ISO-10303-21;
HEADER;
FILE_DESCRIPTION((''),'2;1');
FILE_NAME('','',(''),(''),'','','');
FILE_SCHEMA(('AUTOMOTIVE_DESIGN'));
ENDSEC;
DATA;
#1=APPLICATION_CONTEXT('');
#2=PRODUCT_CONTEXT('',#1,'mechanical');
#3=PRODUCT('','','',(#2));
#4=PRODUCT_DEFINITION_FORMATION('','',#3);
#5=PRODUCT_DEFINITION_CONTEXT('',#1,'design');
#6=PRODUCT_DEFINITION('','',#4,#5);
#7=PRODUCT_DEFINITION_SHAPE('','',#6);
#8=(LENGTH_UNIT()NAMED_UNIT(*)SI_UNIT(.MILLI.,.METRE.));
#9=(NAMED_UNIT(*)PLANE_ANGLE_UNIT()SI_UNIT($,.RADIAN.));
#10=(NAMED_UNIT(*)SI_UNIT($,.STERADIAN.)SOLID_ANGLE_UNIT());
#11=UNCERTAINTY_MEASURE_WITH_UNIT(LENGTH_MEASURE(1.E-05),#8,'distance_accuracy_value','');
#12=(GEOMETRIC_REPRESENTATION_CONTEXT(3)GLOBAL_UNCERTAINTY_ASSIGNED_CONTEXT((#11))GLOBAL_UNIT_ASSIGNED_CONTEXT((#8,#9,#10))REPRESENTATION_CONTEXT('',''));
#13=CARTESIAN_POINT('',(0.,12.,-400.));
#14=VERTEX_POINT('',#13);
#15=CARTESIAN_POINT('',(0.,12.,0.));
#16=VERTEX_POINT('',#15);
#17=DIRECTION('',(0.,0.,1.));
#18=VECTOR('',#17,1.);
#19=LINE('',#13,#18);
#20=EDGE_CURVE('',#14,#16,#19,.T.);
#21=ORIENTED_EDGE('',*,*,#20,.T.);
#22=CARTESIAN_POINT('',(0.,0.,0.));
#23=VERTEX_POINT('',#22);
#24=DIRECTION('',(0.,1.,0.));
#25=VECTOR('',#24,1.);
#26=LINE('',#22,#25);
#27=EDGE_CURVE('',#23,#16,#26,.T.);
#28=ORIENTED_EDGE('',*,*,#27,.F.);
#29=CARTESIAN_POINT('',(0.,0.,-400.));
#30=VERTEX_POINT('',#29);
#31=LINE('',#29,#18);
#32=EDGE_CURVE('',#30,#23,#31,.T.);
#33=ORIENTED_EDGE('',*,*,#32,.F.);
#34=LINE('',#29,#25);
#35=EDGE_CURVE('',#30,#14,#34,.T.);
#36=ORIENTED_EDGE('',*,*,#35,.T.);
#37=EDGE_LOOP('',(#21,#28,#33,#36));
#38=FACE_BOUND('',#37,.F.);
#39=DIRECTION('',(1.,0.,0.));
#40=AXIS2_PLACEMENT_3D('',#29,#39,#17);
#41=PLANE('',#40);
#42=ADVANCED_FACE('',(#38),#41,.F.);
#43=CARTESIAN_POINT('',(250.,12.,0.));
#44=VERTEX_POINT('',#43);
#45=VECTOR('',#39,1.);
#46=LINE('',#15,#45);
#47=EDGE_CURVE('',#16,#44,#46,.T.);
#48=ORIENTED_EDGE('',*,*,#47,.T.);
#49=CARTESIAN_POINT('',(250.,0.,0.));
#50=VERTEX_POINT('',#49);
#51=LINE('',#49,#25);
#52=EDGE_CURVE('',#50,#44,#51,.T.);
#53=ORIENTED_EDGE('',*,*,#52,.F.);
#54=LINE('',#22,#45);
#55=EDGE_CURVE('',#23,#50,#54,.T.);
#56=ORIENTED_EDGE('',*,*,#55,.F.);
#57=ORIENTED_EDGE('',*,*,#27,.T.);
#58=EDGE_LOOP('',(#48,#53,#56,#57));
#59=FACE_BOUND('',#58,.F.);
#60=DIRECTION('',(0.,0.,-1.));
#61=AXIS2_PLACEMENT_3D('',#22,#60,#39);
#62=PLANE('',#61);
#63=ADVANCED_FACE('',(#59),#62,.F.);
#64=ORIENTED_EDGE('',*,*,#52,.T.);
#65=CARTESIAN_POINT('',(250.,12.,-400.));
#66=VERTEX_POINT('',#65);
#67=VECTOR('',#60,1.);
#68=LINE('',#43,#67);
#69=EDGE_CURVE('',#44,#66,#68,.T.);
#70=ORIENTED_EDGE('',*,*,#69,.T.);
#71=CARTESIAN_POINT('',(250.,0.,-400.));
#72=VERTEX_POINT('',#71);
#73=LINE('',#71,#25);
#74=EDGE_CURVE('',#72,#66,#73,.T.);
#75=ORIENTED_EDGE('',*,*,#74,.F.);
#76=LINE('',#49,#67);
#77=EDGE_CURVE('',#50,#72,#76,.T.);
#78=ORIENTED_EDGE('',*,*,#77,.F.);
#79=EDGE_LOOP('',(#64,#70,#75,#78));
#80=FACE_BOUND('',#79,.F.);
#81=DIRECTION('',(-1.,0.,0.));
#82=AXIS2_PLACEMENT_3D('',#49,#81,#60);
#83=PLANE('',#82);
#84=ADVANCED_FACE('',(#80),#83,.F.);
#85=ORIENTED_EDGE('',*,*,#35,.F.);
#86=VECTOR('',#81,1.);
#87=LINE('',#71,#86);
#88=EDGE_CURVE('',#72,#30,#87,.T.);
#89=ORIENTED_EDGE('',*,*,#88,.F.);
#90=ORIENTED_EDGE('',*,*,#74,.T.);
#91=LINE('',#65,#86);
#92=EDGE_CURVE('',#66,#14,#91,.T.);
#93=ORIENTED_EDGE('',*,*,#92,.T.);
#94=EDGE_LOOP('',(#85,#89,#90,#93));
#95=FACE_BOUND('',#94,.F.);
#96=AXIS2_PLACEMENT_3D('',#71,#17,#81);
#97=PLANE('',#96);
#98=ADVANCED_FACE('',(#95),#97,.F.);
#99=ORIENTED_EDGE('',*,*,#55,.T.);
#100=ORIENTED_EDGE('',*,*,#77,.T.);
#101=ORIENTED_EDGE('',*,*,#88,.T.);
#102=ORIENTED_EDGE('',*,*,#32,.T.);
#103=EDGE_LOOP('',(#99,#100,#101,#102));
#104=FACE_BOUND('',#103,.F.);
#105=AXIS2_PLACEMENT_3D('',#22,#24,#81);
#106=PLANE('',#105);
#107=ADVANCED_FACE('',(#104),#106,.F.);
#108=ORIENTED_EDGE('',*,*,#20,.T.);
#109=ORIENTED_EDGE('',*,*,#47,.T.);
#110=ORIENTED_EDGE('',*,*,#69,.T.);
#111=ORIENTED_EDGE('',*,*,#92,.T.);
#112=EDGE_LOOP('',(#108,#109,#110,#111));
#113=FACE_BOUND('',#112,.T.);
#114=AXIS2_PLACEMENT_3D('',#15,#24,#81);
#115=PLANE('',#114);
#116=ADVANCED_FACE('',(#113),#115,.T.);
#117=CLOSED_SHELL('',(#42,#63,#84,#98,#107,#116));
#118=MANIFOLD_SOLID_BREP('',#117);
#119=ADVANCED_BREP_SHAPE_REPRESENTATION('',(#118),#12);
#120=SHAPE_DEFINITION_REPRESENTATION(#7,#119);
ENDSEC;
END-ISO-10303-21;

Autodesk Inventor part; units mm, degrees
ref_plane "YZ Plane" through (0, 0, 0) normal (1, 0, 0) x (0, 1, 0)
ref_plane "XZ Plane" through (0, 0, 0) normal (0, 1, 0) x (-1, 0, 0)
ref_plane "XY Plane" through (0, 0, 0) normal (0, 0, 1) x (1, 0, 0)
sketch "Náčrt1" plane through (0, 0, 0) normal (0, 1, 0) x (-1, 0, 0)
  line L0 (0, 0) -> (-250, 0)
  line L1 (-250, 0) -> (-250, -400)
  line L2 (-250, -400) -> (0, -400)
  line L3 (0, -400) -> (0, 0)
  dimension "d0" = 400
  dimension "d1" = 250
extrude "Vysunutí1" add sketch "Náčrt1" along normal blind 12
properties part number "Deska_spodni" material "Dřevo (Bříza)"
